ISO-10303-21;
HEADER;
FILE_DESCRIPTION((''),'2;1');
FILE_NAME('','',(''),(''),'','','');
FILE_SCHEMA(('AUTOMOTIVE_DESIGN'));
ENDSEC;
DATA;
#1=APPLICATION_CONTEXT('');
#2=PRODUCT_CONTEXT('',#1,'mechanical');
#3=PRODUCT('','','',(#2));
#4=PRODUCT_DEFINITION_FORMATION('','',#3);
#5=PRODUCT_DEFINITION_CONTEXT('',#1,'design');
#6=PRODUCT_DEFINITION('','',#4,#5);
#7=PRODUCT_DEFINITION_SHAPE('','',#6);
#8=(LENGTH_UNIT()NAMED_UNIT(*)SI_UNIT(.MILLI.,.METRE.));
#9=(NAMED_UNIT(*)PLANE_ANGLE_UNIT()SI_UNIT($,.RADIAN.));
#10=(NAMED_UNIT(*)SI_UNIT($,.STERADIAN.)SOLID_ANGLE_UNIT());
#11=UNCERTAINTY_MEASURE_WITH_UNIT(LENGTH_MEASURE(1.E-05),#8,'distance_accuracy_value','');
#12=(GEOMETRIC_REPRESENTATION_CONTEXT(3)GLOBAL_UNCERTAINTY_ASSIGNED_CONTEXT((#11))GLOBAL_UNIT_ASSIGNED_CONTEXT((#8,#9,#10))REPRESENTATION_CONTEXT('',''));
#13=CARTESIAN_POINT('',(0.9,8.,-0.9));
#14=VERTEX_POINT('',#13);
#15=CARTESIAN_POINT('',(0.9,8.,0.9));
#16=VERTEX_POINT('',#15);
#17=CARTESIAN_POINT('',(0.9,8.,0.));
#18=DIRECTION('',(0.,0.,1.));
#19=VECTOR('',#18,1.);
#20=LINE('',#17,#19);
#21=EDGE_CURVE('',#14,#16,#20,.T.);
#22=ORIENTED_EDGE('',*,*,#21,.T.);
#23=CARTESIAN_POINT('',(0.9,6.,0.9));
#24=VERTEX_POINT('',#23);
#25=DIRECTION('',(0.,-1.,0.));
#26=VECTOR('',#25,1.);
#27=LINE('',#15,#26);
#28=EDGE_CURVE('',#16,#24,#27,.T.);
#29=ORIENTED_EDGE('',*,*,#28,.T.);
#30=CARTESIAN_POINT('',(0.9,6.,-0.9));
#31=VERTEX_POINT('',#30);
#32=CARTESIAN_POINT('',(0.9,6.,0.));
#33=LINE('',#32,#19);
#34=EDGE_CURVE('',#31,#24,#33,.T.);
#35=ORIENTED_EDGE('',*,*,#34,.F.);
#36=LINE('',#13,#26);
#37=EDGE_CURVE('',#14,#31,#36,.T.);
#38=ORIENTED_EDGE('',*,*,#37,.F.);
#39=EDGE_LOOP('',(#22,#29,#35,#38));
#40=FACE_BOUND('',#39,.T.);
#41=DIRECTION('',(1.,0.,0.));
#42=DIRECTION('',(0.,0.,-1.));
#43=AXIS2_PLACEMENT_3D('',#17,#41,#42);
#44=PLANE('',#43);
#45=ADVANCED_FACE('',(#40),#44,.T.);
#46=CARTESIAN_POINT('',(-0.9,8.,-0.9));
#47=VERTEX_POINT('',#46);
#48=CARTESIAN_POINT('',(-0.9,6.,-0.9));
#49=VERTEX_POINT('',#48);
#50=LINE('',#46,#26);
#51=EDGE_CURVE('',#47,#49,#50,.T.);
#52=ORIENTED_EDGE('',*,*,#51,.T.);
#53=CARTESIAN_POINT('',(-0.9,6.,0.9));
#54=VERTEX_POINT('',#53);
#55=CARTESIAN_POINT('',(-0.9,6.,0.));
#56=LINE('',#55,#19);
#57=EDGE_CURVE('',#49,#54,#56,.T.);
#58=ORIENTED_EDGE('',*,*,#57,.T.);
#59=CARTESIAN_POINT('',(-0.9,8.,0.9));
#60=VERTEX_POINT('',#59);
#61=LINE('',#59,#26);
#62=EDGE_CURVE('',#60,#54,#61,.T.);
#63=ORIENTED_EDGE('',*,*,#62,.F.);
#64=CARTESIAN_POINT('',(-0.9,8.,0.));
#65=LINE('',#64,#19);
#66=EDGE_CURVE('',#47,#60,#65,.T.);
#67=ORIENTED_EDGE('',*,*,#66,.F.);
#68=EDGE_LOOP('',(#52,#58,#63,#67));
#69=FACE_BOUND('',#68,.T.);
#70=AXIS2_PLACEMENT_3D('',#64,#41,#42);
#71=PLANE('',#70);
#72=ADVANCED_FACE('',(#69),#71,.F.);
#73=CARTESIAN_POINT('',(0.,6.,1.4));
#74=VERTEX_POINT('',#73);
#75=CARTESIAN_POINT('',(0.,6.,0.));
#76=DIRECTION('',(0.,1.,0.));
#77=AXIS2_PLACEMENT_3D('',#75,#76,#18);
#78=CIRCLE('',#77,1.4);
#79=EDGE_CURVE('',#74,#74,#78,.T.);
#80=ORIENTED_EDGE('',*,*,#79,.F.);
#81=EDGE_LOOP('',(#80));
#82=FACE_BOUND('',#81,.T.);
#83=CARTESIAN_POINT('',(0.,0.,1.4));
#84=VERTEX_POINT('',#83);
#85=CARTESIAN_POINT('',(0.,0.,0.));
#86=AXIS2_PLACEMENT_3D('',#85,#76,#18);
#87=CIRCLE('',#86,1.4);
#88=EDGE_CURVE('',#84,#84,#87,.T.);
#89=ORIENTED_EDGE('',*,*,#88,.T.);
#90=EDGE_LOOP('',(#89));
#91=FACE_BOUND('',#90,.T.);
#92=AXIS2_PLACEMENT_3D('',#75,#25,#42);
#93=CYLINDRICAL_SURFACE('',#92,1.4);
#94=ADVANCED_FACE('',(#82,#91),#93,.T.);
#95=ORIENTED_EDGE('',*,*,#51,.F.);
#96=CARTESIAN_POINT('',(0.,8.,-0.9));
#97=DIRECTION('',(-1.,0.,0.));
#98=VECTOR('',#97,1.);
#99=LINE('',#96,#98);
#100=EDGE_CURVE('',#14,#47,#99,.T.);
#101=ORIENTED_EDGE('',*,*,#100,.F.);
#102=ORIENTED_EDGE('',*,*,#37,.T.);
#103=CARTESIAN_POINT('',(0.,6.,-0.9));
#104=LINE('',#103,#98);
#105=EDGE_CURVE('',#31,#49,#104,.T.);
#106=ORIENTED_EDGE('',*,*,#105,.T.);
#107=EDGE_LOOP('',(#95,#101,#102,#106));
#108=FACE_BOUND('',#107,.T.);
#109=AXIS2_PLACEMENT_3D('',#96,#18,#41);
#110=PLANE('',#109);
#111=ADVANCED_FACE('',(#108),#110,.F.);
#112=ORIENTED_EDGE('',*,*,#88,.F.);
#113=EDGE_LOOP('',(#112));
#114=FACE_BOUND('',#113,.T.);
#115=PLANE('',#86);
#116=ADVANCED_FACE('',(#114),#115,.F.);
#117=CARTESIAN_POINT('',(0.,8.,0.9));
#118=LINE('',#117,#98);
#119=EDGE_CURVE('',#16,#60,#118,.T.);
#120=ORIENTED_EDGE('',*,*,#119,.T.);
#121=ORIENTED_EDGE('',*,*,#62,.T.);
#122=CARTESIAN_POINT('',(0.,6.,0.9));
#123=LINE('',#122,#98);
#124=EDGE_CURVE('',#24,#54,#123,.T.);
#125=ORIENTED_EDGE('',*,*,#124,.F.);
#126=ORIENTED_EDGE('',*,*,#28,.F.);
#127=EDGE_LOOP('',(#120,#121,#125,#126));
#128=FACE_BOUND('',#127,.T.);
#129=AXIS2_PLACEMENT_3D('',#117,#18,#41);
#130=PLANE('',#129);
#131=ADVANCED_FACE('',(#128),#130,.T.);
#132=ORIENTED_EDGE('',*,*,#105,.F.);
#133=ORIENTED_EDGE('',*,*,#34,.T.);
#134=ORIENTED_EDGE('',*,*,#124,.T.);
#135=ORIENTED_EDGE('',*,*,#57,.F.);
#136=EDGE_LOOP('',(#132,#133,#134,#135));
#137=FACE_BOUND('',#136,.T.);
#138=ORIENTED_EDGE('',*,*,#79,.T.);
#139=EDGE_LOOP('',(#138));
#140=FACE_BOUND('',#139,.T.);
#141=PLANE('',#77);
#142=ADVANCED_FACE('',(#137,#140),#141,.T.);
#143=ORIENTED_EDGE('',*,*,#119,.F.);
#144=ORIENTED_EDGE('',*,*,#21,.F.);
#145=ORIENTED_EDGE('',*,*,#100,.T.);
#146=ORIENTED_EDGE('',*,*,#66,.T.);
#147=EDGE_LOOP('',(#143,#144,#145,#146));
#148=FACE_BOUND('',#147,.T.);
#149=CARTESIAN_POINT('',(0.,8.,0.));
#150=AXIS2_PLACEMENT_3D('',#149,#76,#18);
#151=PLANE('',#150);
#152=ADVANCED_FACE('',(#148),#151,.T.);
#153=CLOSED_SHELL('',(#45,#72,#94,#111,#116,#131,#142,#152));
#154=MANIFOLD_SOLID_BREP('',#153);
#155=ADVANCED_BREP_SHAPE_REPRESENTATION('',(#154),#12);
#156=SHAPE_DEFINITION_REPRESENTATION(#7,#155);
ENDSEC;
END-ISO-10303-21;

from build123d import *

# Parameters (mm, degrees)
SKETCH1_R           = 1.4
BOSS_EXTRUDE1_DEPTH = 6
SKETCH2_W           = 0.9
SKETCH2_H           = 0.9
BOSS_EXTRUDE2_DEPTH = 2


with BuildPart() as part:
    # Sketch1 → Boss-Extrude1 (new body)
    with BuildSketch(Plane(origin=(0, 0, 0), x_dir=(1, 0, 0), z_dir=(0, 1, 0))):
        with Locations(Location((0, 0, 0), (0, 0, 270))):
            Circle(SKETCH1_R)
    extrude(amount=BOSS_EXTRUDE1_DEPTH)

    # Sketch2 → Boss-Extrude2 (add)
    with BuildSketch(Plane(origin=(0, 6, 0), x_dir=(1, 0, 0), z_dir=(0, 1, 0))):
        with Locations((-0.45, 0.45)):
            Rectangle(SKETCH2_W, SKETCH2_H)
        with Locations((-0.45, -0.45)):
            Rectangle(SKETCH2_W, SKETCH2_H)
        with Locations((0.45, 0.45)):
            Rectangle(SKETCH2_W, SKETCH2_H)
        with Locations((0.45, -0.45)):
            Rectangle(SKETCH2_W, SKETCH2_H)
    extrude(amount=BOSS_EXTRUDE2_DEPTH)


solid = part.part
